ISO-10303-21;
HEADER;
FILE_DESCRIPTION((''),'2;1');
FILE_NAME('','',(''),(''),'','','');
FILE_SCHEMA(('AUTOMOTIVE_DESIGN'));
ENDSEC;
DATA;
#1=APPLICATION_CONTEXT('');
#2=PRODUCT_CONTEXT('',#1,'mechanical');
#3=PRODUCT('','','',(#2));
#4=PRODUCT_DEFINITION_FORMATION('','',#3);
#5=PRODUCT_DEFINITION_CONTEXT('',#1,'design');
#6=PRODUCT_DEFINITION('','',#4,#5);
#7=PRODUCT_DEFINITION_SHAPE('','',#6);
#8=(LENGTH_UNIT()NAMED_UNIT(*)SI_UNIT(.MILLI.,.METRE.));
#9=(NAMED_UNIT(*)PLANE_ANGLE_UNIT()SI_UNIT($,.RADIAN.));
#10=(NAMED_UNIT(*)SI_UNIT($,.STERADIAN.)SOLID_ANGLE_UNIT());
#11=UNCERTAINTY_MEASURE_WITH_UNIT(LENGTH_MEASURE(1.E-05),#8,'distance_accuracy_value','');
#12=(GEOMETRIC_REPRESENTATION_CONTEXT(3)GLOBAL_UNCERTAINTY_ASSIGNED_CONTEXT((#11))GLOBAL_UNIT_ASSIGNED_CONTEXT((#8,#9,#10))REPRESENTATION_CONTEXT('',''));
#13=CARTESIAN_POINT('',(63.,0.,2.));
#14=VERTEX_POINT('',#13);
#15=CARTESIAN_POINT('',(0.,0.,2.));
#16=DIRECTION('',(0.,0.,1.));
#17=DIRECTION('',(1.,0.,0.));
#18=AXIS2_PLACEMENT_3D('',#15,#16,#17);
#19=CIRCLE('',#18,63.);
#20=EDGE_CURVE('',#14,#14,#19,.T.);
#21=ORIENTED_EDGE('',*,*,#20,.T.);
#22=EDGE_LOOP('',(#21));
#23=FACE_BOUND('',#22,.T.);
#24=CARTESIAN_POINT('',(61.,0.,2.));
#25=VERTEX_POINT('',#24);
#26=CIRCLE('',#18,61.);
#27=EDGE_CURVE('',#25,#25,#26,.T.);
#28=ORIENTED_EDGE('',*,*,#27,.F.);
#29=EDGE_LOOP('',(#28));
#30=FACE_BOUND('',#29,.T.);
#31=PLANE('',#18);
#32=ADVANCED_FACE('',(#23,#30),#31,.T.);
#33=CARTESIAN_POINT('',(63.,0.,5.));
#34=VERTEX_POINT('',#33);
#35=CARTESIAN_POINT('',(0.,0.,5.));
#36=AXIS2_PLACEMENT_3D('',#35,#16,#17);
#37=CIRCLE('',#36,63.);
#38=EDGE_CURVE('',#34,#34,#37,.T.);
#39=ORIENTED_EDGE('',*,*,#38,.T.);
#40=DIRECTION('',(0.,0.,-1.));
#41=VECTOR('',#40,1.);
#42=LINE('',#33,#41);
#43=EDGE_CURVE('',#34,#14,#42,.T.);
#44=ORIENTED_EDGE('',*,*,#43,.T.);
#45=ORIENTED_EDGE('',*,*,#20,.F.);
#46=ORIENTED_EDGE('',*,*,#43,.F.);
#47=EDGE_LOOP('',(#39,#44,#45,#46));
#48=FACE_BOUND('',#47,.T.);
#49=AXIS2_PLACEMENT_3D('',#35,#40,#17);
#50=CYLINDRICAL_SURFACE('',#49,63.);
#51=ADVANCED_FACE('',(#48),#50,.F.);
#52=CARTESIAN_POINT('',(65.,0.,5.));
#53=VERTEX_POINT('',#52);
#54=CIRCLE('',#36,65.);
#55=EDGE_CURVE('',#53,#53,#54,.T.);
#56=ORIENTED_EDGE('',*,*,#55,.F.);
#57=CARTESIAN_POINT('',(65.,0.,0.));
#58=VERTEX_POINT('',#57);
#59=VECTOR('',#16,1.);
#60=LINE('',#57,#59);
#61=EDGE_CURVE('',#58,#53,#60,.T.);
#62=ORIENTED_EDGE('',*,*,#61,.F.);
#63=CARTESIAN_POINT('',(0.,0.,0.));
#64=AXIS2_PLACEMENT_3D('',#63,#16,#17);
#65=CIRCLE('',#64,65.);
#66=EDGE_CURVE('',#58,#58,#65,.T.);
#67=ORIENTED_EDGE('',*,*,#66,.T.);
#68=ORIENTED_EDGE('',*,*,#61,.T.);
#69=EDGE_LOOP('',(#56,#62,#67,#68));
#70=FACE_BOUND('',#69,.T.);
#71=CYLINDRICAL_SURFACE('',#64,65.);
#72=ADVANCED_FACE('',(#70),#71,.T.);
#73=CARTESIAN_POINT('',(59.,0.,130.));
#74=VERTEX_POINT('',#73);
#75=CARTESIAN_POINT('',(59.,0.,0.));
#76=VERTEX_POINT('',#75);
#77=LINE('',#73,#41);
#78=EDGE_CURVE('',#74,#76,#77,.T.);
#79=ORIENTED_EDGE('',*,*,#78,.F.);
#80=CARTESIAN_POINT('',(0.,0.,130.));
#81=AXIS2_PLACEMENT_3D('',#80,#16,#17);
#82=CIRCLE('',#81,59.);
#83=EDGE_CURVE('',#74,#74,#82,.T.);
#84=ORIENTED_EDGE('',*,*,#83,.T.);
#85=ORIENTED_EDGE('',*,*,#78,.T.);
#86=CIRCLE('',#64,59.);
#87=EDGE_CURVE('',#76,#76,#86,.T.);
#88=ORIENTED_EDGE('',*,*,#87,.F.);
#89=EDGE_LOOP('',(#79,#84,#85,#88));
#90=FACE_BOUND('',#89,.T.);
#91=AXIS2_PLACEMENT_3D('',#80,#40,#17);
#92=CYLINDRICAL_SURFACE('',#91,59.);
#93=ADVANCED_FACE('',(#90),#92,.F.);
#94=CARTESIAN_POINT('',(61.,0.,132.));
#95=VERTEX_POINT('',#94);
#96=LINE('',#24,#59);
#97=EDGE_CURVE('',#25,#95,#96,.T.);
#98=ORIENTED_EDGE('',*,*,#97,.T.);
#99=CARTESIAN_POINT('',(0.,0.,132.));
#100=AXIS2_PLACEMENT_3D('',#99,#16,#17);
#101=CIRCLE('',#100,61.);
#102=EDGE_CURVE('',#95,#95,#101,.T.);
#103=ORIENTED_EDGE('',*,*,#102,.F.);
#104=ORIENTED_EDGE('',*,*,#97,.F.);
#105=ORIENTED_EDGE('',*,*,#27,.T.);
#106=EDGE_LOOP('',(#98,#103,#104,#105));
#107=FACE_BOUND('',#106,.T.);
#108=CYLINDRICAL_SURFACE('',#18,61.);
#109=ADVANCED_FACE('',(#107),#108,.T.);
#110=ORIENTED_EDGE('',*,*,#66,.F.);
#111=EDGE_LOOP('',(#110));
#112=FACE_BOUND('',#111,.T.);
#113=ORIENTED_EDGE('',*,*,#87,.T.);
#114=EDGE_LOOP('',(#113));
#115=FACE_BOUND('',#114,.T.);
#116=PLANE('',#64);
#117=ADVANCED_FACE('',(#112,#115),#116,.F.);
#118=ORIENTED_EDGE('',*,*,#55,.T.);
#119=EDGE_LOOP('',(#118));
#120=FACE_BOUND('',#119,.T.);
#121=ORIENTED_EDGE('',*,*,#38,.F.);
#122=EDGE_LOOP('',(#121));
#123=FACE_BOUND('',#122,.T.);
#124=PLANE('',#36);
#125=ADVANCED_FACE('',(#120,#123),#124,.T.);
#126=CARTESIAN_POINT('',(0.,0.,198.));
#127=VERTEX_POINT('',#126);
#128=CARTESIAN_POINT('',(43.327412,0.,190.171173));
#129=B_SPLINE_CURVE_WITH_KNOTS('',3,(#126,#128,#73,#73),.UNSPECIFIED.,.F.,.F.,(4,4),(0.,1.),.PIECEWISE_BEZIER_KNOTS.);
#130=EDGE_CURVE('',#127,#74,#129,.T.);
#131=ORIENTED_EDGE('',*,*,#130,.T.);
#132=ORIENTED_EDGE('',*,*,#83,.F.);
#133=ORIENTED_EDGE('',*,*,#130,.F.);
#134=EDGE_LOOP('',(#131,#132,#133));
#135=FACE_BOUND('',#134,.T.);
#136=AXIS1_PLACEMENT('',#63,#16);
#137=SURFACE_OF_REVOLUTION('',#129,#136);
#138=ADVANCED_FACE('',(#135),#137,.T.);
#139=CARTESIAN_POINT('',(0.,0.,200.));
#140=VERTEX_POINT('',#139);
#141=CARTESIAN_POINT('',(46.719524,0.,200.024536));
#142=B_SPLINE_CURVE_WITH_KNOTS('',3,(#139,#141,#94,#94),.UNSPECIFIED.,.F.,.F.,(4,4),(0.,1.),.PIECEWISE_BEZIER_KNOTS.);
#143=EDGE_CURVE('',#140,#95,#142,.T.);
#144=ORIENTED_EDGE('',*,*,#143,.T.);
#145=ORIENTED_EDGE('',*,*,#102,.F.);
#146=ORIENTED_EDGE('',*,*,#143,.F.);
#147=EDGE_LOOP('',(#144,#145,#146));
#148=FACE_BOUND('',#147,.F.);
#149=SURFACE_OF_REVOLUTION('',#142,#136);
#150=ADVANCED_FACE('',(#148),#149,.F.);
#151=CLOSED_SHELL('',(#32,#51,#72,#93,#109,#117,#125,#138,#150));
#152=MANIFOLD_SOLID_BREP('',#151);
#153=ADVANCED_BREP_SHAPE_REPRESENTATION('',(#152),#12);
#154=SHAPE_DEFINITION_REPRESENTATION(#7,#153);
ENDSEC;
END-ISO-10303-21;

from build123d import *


with BuildPart() as part:
    # Sketch001 → Revolution (revolve)
    with BuildSketch(Plane.XZ):
        with BuildLine():
            Line((65, 0), (65, 5))
            Line((65, 5), (63, 5))
            Line((63, 5), (63, 2))
            Line((63, 2), (61, 2))
            Line((61, 2), (61, 132))
            add(Edge.make_bspline(
                [(0, 200), (46.719524, 200.024536), (61, 132), (61, 132)],
                knots=[0, 0, 0, 0, 1, 1, 1, 1], degree=3))
            Line((0, 200), (0, 198))
            add(Edge.make_bspline(
                [(0, 198), (43.327412, 190.171173), (59, 130), (59, 130)],
                knots=[0, 0, 0, 0, 1, 1, 1, 1], degree=3))
            Line((59, 130), (59, 0))
            Line((59, 0), (65, 0))
        make_face()
    revolve(axis=Axis((0, 0, 0), (0, 0, 1)))


solid = part.part
